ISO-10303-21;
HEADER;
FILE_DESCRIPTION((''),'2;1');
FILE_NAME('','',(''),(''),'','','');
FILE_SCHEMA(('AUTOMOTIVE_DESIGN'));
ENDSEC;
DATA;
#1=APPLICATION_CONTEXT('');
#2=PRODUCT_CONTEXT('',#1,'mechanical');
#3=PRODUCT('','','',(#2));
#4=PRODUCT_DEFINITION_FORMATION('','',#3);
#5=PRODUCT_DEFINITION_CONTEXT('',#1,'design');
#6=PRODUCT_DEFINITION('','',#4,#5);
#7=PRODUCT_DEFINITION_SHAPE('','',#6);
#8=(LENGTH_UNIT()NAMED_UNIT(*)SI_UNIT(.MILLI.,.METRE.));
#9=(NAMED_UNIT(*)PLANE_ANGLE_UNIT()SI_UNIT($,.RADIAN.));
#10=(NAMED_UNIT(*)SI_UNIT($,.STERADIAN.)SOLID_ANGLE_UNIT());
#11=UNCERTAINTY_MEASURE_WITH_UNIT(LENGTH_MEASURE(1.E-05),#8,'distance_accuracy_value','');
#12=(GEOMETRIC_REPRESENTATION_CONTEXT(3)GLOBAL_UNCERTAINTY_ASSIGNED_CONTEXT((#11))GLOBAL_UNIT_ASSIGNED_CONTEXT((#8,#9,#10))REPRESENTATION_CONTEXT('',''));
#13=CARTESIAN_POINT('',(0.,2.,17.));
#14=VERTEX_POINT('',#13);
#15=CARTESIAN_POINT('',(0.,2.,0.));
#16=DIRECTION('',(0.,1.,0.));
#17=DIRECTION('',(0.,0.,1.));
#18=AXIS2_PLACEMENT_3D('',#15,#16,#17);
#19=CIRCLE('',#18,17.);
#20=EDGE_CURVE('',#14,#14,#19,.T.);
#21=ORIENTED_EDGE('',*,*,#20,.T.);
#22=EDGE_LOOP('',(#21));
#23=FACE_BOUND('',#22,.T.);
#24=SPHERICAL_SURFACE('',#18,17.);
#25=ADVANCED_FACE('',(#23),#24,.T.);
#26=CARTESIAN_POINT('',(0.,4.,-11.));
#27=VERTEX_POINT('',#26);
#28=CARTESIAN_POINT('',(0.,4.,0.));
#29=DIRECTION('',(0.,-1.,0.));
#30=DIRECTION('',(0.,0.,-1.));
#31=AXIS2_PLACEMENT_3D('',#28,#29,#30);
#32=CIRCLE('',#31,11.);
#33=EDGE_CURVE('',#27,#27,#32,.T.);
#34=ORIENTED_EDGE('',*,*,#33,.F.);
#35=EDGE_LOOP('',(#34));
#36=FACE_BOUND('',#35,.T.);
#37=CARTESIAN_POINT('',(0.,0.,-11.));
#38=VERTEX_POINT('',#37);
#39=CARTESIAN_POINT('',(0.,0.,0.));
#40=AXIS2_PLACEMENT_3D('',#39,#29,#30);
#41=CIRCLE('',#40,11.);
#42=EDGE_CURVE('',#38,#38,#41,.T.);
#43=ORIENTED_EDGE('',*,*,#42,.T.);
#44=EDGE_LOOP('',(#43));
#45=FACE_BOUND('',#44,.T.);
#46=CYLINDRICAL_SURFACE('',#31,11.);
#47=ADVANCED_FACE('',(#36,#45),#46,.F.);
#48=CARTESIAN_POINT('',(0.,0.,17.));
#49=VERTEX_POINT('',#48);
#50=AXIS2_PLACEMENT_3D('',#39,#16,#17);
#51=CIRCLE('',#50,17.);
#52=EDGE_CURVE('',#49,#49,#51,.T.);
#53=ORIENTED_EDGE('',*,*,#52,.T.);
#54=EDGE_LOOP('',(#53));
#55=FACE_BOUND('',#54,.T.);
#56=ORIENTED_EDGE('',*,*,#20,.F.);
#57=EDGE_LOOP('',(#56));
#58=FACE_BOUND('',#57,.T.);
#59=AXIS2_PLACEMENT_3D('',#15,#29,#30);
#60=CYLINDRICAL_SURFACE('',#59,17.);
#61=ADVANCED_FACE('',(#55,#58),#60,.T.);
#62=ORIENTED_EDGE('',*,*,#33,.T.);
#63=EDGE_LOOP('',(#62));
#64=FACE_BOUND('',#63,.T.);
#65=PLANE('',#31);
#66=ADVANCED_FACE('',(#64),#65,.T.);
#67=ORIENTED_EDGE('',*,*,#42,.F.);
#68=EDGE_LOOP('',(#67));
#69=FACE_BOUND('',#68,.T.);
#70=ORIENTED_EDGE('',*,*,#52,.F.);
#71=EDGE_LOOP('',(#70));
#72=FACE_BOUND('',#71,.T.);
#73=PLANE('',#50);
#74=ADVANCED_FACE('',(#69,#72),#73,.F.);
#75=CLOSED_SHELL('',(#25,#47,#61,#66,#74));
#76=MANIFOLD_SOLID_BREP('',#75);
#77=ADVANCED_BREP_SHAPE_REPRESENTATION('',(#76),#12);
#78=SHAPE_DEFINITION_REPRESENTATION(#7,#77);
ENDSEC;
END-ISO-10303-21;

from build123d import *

# Parameters (mm, degrees)
SKETCH1_R           = 17
BOSS_EXTRUDE1_DEPTH = 2
REVOLVE1_ANGLE      = 180
SKETCH3_R           = 11
CUT_EXTRUDE1_DEPTH  = 4


with BuildPart() as part:
    # Sketch1 → Boss-Extrude1 (new body)
    with BuildSketch(Plane(origin=(0, 0, 0), x_dir=(1, 0, 0), z_dir=(0, 1, 0))):
        with Locations(Location((0, 0, 0), (0, 0, 270))):
            Circle(SKETCH1_R)
    extrude(amount=BOSS_EXTRUDE1_DEPTH)

    # Sketch2 → Revolve1 (revolve)
    with BuildSketch(Plane(origin=(0, 2, 0), x_dir=(1, 0, 0), z_dir=(0, 1, 0))):
        with BuildLine():
            Line((-17, 0), (17, 0))
            ThreePointArc((17, 0), (0, 17), (-17, 0))
        make_face()
    revolve(axis=Axis((-17, 2, 0), (1, 0, 0)), revolution_arc=REVOLVE1_ANGLE)

    # Sketch3 → Cut-Extrude1 (cut)
    with BuildSketch(Plane.XZ):
        with Locations(Location((0, 0, 0), (0, 0, 270))):
            Circle(SKETCH3_R)
    extrude(amount=-CUT_EXTRUDE1_DEPTH, mode=Mode.SUBTRACT)


solid = part.part
